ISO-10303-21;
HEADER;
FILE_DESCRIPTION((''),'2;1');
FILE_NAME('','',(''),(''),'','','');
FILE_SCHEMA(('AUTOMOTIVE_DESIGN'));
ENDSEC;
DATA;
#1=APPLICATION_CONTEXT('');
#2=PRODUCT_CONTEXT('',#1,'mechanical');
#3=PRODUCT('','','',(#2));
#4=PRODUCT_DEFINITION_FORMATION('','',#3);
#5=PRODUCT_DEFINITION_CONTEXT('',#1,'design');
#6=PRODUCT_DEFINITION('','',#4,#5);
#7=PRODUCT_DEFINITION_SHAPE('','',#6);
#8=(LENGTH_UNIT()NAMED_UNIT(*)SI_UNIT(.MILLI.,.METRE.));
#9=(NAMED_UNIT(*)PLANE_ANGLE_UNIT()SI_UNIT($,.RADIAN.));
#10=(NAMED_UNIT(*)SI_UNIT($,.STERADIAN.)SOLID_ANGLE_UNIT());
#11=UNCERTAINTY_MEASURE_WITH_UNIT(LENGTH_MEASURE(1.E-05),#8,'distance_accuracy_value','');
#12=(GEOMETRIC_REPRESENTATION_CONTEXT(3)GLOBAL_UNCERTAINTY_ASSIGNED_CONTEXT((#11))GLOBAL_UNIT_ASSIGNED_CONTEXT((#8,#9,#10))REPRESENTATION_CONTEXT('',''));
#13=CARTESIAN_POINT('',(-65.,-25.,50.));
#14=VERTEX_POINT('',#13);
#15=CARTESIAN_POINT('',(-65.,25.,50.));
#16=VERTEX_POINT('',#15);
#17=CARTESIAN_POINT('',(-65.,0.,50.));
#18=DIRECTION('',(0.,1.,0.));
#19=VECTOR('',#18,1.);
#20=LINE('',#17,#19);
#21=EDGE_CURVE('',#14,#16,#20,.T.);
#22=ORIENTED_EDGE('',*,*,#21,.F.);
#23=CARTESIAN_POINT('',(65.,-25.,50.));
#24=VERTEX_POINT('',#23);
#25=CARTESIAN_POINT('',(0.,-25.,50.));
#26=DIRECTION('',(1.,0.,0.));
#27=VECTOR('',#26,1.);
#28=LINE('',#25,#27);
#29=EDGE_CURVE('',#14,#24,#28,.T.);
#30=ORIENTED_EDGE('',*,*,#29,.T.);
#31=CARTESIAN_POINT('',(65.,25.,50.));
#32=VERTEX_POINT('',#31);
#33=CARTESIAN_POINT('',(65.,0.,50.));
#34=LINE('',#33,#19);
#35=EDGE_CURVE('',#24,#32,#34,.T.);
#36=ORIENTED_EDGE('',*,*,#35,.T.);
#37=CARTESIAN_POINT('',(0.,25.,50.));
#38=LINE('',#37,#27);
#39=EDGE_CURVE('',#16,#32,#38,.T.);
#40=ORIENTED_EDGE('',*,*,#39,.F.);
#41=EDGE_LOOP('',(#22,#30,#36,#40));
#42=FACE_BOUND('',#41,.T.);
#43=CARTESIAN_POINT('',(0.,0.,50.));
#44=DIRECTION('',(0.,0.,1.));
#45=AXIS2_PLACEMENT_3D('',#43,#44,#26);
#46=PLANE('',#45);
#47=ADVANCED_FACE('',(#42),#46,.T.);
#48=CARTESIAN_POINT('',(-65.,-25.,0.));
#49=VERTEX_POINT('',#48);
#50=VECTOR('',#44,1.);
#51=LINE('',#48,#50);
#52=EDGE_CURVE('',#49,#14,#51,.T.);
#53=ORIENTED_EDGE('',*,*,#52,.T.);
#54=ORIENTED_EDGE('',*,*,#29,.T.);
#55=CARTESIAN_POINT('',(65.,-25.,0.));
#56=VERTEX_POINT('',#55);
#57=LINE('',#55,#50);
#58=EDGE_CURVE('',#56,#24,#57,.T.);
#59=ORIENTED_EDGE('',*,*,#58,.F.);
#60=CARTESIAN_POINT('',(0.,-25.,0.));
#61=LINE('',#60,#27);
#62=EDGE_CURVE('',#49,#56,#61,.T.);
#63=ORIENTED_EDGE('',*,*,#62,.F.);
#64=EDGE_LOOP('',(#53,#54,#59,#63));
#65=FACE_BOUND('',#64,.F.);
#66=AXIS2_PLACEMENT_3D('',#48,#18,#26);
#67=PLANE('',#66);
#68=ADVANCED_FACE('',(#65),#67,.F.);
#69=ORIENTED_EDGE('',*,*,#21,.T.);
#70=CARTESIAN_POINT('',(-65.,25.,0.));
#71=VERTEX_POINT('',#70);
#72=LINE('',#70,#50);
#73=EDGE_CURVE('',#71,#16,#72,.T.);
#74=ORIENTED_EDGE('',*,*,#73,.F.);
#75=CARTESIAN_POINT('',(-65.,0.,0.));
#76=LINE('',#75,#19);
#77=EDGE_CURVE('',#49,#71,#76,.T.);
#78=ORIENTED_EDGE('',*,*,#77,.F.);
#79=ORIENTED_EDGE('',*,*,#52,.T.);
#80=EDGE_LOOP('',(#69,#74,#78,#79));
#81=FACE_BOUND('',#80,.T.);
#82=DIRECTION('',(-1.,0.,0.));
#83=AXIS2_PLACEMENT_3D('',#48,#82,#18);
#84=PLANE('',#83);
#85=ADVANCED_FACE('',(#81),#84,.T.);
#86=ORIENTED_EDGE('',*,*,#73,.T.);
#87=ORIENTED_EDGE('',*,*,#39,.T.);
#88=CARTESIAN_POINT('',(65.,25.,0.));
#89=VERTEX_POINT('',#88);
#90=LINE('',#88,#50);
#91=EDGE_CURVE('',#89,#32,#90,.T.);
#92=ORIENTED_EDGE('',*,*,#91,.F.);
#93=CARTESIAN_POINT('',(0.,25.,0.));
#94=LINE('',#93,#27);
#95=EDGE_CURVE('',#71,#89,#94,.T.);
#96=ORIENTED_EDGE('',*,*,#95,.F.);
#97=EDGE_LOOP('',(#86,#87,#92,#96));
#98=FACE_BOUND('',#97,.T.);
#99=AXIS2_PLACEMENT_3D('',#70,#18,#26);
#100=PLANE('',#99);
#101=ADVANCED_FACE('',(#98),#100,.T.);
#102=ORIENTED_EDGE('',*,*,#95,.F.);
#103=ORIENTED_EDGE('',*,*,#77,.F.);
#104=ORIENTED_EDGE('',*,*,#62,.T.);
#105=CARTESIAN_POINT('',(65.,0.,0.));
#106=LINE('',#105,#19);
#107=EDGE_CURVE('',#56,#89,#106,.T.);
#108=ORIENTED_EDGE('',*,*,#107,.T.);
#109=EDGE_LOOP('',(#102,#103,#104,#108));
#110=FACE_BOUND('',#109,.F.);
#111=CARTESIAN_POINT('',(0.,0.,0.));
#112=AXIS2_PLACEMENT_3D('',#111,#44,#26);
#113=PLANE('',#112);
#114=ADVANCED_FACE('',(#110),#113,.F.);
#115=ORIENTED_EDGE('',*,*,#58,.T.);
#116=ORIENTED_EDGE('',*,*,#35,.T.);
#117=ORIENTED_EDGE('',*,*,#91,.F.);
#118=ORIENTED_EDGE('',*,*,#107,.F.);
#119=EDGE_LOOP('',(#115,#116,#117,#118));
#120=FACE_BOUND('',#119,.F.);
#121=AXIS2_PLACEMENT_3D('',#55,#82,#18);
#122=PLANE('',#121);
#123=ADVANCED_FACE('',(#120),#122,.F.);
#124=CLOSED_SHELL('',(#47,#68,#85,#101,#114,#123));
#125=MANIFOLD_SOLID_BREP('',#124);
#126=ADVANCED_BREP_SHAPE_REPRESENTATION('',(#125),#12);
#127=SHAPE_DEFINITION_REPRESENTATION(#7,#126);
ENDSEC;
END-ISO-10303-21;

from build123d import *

# Parameters (mm, degrees)
SKETCH_W      = 130
SKETCH_H      = 50
EXTRUDE_DEPTH = 50


with BuildPart() as part:
    # Sketch → Extrude (new body)
    with BuildSketch(Plane.XY):
        Rectangle(SKETCH_W, SKETCH_H)
    extrude(amount=EXTRUDE_DEPTH)


solid = part.part
